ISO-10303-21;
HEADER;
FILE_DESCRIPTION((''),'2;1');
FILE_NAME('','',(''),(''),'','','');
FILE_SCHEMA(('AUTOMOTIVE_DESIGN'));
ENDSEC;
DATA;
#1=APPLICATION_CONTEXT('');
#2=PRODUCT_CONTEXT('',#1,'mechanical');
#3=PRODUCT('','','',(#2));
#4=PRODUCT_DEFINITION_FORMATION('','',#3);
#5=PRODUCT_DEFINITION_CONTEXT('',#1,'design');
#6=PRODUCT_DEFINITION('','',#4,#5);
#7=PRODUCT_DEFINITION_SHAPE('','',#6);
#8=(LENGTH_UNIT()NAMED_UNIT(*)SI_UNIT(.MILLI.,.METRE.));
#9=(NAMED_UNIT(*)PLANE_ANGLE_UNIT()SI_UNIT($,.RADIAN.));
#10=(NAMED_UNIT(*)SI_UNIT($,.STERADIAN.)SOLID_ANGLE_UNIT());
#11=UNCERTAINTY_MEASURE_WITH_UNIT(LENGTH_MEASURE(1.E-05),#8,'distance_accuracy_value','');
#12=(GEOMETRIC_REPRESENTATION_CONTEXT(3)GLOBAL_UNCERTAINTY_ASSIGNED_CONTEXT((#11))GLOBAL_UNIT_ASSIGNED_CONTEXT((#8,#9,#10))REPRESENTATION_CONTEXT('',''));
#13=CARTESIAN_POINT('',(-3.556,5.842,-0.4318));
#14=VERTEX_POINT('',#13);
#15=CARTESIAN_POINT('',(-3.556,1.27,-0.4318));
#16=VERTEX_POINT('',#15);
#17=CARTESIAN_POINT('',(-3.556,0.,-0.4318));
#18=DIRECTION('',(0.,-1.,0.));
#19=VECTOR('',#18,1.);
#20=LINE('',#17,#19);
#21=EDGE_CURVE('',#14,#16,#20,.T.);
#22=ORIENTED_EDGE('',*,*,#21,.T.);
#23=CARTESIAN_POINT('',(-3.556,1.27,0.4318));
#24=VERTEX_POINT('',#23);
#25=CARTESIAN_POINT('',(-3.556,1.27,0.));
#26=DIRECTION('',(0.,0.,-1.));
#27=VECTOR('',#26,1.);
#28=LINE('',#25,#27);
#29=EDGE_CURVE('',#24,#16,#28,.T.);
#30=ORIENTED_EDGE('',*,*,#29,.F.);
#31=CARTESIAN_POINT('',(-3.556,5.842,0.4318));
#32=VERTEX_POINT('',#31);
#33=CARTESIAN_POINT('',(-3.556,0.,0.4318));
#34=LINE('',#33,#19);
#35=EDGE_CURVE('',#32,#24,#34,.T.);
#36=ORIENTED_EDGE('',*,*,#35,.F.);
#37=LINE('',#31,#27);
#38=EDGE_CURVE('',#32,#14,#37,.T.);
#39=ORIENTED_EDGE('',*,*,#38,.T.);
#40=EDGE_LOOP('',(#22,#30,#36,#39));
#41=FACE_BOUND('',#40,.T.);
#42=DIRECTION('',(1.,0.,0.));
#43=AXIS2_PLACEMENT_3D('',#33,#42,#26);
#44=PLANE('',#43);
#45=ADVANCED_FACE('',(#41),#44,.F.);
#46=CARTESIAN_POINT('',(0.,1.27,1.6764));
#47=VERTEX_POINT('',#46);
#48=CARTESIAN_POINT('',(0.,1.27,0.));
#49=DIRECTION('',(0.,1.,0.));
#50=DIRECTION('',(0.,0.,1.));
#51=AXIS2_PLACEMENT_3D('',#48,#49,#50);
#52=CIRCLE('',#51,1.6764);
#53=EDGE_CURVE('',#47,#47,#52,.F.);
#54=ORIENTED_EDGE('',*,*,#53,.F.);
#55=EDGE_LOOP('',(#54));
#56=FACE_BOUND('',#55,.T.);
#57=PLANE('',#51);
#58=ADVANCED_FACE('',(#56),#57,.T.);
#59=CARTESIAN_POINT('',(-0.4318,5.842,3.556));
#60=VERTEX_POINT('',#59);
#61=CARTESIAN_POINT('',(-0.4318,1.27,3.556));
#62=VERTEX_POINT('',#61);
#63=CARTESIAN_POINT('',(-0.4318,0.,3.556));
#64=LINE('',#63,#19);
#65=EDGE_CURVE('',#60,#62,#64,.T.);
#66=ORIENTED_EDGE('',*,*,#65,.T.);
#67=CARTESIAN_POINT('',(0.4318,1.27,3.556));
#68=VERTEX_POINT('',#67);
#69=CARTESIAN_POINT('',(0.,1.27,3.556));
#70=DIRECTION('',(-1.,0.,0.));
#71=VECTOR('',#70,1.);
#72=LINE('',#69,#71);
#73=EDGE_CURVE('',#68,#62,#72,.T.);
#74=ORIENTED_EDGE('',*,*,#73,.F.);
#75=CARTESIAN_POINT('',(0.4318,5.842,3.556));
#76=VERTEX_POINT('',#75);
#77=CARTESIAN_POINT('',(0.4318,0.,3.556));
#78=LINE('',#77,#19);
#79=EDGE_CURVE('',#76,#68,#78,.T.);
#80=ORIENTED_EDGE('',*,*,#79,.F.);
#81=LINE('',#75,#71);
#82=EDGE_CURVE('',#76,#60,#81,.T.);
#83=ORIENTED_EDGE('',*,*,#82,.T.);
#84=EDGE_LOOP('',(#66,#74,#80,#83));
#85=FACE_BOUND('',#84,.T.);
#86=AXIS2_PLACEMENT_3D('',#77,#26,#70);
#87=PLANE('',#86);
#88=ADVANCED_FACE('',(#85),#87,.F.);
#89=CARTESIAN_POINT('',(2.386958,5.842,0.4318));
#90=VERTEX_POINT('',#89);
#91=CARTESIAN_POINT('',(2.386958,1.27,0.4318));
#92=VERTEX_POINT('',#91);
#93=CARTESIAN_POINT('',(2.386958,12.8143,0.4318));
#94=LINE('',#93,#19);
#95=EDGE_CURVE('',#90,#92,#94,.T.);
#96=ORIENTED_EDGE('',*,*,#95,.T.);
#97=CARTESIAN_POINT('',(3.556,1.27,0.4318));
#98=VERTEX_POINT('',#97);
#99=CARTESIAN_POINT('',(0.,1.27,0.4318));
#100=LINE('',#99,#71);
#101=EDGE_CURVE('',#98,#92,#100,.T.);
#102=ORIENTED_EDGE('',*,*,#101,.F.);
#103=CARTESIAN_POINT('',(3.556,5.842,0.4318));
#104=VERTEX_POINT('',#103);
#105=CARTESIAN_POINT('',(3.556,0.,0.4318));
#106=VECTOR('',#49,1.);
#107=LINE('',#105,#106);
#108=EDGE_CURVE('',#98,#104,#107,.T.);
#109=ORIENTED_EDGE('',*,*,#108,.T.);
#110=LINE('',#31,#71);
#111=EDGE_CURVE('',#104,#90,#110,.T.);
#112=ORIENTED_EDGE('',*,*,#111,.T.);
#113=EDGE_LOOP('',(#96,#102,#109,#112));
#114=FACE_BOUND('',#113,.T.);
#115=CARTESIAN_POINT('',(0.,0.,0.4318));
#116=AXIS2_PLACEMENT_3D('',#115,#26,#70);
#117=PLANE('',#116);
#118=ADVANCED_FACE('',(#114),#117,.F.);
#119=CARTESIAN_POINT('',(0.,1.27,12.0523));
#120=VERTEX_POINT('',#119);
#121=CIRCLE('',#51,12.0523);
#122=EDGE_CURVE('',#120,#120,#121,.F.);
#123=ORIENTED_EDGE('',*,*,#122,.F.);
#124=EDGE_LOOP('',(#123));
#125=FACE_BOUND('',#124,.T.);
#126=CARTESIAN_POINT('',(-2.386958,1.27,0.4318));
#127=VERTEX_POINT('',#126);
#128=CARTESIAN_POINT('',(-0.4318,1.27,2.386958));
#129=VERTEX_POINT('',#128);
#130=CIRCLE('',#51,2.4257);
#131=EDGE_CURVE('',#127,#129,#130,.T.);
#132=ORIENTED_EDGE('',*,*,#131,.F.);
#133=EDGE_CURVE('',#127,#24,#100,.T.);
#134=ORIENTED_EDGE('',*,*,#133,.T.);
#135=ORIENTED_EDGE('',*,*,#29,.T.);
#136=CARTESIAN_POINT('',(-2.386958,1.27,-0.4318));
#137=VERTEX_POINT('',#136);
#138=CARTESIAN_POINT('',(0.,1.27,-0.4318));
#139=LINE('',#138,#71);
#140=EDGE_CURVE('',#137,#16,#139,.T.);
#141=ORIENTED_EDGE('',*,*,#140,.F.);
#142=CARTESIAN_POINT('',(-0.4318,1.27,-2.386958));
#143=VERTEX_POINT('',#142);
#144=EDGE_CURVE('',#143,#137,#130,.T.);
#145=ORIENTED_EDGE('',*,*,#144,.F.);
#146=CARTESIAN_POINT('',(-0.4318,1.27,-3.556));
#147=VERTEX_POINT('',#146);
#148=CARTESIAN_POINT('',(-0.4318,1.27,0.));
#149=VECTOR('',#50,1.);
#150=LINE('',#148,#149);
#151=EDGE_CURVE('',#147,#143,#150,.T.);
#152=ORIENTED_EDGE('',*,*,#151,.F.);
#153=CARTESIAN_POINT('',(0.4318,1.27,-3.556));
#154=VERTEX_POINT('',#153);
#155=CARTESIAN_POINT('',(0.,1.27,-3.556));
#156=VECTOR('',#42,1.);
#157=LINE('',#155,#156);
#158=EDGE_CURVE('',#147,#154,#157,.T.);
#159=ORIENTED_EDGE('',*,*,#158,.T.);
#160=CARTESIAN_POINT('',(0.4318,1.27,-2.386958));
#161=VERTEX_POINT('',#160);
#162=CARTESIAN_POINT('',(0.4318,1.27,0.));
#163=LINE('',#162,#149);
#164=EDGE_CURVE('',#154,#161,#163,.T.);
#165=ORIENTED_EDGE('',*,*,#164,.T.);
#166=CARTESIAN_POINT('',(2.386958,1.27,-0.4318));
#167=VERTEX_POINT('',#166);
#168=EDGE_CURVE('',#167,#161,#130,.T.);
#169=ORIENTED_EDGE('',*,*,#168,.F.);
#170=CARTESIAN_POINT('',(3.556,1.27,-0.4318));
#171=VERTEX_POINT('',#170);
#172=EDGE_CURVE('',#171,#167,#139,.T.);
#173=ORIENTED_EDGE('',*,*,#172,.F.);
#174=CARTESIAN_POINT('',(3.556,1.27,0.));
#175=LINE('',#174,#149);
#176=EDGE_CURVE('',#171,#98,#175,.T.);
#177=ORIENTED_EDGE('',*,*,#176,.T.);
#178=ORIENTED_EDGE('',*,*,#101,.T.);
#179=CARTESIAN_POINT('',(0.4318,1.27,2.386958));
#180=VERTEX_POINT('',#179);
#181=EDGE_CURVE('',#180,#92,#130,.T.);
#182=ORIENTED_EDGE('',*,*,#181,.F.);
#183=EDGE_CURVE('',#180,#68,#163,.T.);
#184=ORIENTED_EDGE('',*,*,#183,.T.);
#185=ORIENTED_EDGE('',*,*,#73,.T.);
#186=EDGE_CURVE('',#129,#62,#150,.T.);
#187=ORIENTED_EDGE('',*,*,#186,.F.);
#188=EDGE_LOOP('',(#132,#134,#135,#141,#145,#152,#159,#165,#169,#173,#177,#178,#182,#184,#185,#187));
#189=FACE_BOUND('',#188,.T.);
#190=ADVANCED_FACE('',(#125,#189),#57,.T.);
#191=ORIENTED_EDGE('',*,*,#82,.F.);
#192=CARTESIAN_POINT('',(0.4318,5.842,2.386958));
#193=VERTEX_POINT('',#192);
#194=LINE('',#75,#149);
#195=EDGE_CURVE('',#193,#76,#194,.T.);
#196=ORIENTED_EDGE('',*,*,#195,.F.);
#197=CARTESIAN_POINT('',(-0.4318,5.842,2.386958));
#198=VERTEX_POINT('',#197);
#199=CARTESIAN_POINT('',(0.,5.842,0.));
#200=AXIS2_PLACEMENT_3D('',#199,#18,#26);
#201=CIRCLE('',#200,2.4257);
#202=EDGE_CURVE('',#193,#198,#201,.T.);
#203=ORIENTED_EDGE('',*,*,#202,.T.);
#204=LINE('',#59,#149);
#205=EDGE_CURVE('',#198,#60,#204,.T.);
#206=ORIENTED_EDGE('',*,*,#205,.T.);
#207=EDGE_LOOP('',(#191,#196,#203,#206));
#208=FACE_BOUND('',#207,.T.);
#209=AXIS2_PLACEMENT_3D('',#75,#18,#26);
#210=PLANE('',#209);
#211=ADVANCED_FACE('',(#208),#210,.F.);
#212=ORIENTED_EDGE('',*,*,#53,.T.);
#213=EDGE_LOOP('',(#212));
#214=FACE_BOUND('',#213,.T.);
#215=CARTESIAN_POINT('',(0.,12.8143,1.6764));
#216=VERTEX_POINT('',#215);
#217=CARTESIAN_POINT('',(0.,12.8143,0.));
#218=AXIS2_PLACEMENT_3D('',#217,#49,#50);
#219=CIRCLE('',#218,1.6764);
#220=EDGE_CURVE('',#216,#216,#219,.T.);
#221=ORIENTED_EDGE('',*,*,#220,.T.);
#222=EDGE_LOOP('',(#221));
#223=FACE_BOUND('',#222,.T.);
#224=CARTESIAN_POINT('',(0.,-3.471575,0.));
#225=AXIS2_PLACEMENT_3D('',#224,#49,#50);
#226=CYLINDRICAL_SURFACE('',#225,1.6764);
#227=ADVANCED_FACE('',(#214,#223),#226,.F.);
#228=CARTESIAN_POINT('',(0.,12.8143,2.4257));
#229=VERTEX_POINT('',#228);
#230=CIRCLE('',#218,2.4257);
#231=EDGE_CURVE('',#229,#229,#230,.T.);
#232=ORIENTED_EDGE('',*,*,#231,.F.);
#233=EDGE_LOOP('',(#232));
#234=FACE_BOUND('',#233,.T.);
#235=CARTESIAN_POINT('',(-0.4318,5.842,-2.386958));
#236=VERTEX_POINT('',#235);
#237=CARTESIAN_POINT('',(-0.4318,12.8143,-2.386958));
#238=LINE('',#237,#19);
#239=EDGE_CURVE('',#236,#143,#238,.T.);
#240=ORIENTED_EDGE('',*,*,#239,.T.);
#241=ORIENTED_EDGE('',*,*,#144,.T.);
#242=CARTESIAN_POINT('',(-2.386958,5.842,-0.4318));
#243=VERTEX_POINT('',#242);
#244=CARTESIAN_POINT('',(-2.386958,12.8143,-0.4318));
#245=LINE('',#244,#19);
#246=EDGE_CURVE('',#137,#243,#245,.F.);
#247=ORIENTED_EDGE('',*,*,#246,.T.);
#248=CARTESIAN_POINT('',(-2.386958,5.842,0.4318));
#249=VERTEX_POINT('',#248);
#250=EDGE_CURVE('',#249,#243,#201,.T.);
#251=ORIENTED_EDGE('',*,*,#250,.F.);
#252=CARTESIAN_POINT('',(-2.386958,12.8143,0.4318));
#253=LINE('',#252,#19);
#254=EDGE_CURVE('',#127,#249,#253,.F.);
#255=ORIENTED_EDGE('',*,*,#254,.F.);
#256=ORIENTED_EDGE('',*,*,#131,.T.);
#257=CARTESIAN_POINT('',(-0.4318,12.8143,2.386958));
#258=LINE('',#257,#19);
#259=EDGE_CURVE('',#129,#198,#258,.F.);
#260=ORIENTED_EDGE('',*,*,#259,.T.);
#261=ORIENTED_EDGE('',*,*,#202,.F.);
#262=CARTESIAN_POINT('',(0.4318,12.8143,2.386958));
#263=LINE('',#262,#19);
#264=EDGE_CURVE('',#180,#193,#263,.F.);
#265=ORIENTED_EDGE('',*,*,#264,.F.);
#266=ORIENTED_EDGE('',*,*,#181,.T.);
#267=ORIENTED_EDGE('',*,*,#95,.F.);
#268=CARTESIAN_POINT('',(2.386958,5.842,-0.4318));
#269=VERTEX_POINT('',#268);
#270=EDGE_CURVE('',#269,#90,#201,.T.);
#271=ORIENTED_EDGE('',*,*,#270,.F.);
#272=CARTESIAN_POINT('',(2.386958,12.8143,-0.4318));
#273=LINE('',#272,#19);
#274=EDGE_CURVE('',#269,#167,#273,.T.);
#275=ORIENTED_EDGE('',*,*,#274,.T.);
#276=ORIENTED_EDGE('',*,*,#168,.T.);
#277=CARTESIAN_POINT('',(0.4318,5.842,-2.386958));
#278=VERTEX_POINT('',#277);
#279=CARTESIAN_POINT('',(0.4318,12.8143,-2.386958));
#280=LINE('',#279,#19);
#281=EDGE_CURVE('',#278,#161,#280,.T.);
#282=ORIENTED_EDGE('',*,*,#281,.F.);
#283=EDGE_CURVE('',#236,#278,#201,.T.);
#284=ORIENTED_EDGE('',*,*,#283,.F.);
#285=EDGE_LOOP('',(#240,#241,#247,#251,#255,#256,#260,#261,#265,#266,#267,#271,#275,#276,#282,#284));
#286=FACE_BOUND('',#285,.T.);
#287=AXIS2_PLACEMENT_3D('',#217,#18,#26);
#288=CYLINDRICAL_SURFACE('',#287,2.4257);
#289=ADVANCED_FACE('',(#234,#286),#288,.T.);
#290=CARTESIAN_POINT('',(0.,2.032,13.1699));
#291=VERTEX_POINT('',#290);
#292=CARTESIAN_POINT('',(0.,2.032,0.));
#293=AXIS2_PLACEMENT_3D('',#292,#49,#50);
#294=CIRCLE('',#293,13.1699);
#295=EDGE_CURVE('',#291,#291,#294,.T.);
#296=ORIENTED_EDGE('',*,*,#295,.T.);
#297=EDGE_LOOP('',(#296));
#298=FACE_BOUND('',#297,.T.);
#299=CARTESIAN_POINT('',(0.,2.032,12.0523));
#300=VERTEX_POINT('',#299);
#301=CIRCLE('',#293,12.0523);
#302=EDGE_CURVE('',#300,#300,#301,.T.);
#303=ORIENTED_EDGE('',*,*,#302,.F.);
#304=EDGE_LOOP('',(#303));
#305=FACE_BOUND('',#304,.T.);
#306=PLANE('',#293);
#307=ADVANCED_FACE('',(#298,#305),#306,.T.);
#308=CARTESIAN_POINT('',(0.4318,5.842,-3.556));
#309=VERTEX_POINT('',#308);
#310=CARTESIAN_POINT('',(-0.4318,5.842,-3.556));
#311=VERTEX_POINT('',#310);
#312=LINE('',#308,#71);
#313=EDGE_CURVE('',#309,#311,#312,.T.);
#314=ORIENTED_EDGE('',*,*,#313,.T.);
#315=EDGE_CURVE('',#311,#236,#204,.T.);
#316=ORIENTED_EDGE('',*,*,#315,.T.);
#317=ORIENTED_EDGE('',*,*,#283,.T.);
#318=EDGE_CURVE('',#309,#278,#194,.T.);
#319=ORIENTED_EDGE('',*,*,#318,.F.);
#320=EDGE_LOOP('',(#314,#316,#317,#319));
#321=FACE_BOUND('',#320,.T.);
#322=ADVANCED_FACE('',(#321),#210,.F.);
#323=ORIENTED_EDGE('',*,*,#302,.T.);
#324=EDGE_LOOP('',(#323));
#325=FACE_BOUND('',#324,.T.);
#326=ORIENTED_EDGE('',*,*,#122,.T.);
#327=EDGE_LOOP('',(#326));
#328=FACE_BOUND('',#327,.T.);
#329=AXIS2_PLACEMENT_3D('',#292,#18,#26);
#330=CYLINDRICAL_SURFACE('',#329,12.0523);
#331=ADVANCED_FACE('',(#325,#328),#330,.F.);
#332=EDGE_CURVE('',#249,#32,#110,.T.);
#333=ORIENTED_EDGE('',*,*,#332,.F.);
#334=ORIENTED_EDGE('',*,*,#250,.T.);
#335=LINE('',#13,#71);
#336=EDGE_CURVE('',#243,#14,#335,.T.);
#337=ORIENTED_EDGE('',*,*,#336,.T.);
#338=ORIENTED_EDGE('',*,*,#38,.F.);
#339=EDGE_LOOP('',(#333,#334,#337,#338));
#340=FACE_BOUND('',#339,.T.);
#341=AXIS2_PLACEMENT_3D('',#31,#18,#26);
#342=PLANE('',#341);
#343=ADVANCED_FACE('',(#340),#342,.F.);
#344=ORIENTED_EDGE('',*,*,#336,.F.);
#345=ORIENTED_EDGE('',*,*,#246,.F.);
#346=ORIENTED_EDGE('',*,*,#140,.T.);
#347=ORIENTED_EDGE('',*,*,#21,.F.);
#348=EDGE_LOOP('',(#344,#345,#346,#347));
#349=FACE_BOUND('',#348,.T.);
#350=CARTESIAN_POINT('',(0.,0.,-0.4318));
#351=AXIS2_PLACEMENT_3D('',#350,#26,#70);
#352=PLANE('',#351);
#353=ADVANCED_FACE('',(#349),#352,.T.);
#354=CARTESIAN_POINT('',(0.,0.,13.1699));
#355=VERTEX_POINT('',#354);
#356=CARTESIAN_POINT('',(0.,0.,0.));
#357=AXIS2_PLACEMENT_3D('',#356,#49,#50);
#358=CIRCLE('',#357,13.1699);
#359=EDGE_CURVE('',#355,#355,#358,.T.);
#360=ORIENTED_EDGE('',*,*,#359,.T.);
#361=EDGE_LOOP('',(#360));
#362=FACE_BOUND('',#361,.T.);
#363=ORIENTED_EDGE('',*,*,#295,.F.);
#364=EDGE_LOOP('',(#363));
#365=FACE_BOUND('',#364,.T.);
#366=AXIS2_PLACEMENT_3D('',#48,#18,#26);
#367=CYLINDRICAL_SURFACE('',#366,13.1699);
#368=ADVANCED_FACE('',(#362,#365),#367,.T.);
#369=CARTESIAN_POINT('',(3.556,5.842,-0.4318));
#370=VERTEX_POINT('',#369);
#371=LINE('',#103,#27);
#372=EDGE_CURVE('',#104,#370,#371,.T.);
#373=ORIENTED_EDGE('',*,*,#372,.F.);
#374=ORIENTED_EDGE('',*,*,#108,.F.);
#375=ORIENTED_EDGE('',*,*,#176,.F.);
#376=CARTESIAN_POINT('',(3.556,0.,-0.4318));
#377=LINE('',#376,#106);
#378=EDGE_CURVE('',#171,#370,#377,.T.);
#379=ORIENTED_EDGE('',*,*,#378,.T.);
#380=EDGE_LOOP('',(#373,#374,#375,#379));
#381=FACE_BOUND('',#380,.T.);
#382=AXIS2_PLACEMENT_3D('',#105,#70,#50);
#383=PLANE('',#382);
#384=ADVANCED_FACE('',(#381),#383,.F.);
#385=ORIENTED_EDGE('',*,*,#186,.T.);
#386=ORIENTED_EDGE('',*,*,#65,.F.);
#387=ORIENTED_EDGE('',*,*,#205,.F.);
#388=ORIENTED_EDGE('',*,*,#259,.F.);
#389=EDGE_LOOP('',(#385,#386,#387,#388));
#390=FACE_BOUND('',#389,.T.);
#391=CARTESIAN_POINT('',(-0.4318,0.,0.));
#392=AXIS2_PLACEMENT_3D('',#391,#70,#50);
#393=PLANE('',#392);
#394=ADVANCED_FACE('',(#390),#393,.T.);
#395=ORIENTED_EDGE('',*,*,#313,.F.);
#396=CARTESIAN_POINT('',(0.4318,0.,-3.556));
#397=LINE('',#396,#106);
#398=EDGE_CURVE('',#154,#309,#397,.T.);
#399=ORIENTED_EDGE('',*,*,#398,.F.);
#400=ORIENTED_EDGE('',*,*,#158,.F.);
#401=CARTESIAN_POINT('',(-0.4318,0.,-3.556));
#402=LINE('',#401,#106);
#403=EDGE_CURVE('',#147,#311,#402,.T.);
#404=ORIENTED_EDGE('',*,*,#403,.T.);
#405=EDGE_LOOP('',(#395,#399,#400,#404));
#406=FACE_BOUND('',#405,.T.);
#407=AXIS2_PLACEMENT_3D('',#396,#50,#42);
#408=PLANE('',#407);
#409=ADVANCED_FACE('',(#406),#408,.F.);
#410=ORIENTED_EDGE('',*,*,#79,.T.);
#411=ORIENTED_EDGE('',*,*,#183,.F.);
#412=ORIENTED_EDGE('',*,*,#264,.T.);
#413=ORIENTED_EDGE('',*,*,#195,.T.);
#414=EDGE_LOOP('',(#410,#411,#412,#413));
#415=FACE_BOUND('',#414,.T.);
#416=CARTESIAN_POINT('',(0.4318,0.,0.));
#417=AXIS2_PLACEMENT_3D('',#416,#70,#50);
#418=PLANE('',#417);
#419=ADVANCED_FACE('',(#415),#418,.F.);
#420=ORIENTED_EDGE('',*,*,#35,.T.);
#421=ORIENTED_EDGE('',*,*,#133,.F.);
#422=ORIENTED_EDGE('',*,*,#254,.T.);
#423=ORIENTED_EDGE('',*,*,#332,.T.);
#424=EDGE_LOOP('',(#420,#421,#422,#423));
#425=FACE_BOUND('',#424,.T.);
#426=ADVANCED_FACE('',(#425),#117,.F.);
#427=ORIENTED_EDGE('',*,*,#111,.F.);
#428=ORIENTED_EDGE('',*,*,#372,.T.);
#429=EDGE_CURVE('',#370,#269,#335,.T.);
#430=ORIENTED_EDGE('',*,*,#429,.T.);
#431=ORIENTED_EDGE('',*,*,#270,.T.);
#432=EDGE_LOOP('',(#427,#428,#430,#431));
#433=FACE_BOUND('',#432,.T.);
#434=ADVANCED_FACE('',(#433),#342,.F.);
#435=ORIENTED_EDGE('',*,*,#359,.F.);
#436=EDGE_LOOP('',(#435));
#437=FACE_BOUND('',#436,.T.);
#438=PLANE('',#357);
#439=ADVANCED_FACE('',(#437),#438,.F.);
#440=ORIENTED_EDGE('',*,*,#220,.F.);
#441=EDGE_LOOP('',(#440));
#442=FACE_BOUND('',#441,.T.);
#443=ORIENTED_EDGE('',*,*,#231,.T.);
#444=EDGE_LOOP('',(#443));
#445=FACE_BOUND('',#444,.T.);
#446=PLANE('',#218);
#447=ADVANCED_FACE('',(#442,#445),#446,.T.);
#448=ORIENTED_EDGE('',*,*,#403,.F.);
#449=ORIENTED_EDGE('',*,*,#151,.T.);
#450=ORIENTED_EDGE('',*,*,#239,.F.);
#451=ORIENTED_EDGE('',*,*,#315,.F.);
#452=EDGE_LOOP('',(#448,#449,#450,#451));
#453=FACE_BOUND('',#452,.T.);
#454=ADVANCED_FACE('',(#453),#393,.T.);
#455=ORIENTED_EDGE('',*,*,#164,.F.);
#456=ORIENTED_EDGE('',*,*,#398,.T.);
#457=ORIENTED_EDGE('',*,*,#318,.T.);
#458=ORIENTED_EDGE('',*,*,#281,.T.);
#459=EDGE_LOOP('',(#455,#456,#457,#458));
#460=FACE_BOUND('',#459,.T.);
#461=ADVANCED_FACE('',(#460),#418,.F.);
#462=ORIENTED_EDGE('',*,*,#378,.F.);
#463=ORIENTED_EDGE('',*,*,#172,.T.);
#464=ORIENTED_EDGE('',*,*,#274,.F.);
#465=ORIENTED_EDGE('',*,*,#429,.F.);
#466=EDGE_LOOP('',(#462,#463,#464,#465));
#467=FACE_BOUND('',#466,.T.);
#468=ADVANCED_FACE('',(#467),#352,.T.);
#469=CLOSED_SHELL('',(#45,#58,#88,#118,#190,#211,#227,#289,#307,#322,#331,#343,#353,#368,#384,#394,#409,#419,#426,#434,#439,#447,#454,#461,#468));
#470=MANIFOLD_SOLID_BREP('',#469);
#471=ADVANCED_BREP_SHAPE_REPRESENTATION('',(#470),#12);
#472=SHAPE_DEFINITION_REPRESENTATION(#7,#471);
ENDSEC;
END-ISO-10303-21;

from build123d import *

# Parameters (mm, degrees)
SKETCH1_R           = 13.1699
BOSS_EXTRUDE1_DEPTH = 1.27
SKETCH2_R           = 13.1699
SKETCH2_R_2         = 12.0523
BOSS_EXTRUDE2_DEPTH = 0.762
SKETCH3_R           = 2.4257
BOSS_EXTRUDE3_DEPTH = 11.5443
SKETCH6_W           = 7.112
SKETCH6_H           = 5.842
BOSS_EXTRUDE4_DEPTH = 0.4318
SKETCH7_W           = 7.112
SKETCH7_H           = 5.842
BOSS_EXTRUDE5_DEPTH = 0.4318
SKETCH4_R           = 1.6764
CUT_EXTRUDE1_DEPTH  = 11.5443


with BuildPart() as part:
    # Sketch1 → Boss-Extrude1 (new body)
    with BuildSketch(Plane(origin=(0, 0, 0), x_dir=(1, 0, 0), z_dir=(0, 1, 0))):
        Circle(SKETCH1_R)
    extrude(amount=BOSS_EXTRUDE1_DEPTH)

    # Sketch2 → Boss-Extrude2 (add)
    with BuildSketch(Plane(origin=(0, 1.27, 0), x_dir=(1, 0, 0), z_dir=(0, 1, 0))):
        Circle(SKETCH2_R)
        Circle(SKETCH2_R_2, mode=Mode.SUBTRACT)
    extrude(amount=BOSS_EXTRUDE2_DEPTH)

    # Sketch3 → Boss-Extrude3 (add)
    with BuildSketch(Plane(origin=(0, 1.27, 0), x_dir=(1, 0, 0), z_dir=(0, 1, 0))):
        Circle(SKETCH3_R)
    extrude(amount=BOSS_EXTRUDE3_DEPTH)

    # Sketch6 → Boss-Extrude4 (add, symmetric)
    with BuildSketch(Plane.XY):
        with Locations((0, 2.921)):
            Rectangle(SKETCH6_W, SKETCH6_H)
    extrude(amount=BOSS_EXTRUDE4_DEPTH, both=True)

    # Sketch7 → Boss-Extrude5 (add, symmetric)
    with BuildSketch(Plane(origin=(0, 0, 0), x_dir=(0, 0, -1), z_dir=(1, 0, 0))):
        with Locations((0, 2.921)):
            Rectangle(SKETCH7_W, SKETCH7_H)
    extrude(amount=BOSS_EXTRUDE5_DEPTH, both=True)

    # Sketch4 → Cut-Extrude1 (cut)
    with BuildSketch(Plane(origin=(0, 12.8143, 0), x_dir=(1, 0, 0), z_dir=(0, 1, 0))):
        Circle(SKETCH4_R)
    extrude(amount=-CUT_EXTRUDE1_DEPTH, mode=Mode.SUBTRACT)


solid = part.part
